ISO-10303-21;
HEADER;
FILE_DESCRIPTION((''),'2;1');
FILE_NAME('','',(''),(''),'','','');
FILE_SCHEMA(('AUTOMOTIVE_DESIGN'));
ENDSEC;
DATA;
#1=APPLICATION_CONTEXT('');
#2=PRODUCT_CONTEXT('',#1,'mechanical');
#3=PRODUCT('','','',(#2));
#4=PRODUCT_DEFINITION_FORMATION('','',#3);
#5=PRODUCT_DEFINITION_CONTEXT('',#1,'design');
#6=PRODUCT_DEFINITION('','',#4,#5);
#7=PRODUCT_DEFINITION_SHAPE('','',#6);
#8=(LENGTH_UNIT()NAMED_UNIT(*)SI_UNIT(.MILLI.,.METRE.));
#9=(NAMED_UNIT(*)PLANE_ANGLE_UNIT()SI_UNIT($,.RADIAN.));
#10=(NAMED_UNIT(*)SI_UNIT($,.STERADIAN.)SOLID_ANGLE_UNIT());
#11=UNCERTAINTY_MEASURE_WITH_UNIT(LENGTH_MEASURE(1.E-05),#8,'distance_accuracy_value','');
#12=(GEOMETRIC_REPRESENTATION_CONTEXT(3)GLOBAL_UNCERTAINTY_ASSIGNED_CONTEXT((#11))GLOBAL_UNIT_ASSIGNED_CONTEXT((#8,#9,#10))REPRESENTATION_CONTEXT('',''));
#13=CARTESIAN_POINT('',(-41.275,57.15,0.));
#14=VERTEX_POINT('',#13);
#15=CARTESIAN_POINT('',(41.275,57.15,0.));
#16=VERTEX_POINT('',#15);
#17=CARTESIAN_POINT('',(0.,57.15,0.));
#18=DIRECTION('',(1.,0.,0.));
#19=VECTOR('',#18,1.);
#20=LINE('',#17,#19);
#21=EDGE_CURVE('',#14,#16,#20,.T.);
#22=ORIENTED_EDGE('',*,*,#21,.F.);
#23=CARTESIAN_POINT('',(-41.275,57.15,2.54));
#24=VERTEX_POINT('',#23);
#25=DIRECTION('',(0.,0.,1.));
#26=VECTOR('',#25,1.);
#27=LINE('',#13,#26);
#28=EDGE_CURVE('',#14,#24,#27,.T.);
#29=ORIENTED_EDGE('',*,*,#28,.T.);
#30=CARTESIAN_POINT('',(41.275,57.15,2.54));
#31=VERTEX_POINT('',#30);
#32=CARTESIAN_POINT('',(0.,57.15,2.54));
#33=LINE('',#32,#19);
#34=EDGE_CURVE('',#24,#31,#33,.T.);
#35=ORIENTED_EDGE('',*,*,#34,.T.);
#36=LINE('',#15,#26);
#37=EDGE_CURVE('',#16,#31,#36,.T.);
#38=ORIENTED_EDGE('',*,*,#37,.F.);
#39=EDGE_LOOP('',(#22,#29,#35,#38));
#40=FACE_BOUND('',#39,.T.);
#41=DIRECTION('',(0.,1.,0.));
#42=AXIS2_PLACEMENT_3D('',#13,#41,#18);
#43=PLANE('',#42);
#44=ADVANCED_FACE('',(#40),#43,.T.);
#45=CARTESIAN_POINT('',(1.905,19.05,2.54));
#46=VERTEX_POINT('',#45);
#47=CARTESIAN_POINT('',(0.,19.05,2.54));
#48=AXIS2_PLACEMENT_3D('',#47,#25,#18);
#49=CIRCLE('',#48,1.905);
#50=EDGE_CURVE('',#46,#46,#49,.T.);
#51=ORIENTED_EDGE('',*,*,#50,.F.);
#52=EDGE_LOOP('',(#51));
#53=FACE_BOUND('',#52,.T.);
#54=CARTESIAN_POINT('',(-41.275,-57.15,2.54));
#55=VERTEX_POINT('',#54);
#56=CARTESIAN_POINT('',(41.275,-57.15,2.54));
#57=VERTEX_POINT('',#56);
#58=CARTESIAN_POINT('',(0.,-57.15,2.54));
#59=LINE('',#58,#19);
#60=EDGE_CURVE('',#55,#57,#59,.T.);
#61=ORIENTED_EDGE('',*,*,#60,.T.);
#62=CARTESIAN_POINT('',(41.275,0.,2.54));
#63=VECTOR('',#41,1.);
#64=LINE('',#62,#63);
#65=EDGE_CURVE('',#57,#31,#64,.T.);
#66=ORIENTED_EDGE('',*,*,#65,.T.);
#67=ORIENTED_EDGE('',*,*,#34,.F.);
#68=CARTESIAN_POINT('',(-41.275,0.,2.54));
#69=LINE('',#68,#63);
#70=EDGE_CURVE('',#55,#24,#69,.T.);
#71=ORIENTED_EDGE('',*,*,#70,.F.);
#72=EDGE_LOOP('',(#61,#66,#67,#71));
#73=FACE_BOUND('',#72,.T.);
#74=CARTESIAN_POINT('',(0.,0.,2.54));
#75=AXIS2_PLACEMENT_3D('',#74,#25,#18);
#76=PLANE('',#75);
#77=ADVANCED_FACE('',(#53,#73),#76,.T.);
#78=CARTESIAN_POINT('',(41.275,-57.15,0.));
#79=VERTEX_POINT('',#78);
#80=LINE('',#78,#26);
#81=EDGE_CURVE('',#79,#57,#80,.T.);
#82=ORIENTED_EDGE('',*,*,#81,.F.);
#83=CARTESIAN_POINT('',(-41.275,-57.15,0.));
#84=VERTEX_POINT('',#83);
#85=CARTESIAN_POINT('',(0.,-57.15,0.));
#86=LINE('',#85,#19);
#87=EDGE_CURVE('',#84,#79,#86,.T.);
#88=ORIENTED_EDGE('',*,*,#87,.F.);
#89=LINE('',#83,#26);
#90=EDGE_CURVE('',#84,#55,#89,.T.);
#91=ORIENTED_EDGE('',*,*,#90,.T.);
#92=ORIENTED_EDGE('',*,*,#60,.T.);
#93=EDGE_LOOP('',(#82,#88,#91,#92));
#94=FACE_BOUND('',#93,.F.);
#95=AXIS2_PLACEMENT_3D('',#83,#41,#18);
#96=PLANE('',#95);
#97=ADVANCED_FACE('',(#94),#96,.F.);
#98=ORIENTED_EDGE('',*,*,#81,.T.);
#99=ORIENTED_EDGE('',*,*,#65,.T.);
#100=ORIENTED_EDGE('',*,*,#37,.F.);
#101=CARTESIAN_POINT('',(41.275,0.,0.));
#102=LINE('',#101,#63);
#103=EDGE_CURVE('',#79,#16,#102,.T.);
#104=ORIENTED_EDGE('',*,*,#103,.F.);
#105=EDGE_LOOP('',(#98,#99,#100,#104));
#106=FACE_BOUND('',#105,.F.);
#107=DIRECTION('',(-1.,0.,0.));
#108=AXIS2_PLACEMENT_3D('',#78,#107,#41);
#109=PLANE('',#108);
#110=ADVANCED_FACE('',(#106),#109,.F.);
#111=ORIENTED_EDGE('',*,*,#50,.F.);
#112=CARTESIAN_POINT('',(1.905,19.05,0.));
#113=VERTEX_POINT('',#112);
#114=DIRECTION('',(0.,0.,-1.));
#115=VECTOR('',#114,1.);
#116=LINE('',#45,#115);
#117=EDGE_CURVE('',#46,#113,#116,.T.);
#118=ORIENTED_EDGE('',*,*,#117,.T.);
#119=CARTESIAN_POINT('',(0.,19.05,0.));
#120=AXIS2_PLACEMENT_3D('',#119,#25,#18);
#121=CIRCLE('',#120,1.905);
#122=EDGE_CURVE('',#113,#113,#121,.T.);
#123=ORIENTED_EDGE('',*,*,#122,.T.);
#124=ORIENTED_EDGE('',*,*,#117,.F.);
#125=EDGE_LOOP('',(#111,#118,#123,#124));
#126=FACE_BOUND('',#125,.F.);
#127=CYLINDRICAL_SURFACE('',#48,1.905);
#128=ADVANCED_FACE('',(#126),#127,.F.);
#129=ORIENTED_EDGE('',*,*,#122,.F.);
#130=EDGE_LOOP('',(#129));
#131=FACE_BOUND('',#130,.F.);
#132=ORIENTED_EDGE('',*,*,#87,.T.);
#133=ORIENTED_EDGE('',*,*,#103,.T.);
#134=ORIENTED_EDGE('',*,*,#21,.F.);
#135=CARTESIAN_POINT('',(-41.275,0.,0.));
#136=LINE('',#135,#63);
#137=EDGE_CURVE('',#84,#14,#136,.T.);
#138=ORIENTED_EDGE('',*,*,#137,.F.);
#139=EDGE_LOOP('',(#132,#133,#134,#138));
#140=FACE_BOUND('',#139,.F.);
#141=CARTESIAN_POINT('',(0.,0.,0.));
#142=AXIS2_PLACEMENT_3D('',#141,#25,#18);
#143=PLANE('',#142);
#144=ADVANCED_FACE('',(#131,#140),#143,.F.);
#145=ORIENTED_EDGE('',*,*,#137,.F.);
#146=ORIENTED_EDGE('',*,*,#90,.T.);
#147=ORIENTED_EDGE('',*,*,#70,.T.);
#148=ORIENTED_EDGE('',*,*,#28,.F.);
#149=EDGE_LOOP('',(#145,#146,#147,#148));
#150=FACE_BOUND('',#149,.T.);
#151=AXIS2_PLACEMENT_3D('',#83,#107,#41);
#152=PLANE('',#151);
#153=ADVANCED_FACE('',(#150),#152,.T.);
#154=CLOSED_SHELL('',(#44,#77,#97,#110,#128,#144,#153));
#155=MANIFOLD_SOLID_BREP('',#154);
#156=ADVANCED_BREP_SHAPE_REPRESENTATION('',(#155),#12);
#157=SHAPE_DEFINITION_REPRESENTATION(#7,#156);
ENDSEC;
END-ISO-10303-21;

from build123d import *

# Parameters (mm, degrees)
F0_W     = 82.55
F0_H     = 114.3
F1_DEPTH = 2.54
F2_R     = 1.905
F3_DEPTH = 2.541


with BuildPart() as f1:
    # F0 (on Top) → F1 (new body)
    with BuildSketch(Plane.XY):
        Rectangle(F0_W, F0_H)
    extrude(amount=F1_DEPTH)

    # F2 (on face) → F3 (cut, through all)
    with BuildSketch(Plane.XY.offset(2.54)):
        with Locations((0, 19.05)):
            Circle(F2_R)
    extrude(amount=-F3_DEPTH, mode=Mode.SUBTRACT)


solid = f1.part
